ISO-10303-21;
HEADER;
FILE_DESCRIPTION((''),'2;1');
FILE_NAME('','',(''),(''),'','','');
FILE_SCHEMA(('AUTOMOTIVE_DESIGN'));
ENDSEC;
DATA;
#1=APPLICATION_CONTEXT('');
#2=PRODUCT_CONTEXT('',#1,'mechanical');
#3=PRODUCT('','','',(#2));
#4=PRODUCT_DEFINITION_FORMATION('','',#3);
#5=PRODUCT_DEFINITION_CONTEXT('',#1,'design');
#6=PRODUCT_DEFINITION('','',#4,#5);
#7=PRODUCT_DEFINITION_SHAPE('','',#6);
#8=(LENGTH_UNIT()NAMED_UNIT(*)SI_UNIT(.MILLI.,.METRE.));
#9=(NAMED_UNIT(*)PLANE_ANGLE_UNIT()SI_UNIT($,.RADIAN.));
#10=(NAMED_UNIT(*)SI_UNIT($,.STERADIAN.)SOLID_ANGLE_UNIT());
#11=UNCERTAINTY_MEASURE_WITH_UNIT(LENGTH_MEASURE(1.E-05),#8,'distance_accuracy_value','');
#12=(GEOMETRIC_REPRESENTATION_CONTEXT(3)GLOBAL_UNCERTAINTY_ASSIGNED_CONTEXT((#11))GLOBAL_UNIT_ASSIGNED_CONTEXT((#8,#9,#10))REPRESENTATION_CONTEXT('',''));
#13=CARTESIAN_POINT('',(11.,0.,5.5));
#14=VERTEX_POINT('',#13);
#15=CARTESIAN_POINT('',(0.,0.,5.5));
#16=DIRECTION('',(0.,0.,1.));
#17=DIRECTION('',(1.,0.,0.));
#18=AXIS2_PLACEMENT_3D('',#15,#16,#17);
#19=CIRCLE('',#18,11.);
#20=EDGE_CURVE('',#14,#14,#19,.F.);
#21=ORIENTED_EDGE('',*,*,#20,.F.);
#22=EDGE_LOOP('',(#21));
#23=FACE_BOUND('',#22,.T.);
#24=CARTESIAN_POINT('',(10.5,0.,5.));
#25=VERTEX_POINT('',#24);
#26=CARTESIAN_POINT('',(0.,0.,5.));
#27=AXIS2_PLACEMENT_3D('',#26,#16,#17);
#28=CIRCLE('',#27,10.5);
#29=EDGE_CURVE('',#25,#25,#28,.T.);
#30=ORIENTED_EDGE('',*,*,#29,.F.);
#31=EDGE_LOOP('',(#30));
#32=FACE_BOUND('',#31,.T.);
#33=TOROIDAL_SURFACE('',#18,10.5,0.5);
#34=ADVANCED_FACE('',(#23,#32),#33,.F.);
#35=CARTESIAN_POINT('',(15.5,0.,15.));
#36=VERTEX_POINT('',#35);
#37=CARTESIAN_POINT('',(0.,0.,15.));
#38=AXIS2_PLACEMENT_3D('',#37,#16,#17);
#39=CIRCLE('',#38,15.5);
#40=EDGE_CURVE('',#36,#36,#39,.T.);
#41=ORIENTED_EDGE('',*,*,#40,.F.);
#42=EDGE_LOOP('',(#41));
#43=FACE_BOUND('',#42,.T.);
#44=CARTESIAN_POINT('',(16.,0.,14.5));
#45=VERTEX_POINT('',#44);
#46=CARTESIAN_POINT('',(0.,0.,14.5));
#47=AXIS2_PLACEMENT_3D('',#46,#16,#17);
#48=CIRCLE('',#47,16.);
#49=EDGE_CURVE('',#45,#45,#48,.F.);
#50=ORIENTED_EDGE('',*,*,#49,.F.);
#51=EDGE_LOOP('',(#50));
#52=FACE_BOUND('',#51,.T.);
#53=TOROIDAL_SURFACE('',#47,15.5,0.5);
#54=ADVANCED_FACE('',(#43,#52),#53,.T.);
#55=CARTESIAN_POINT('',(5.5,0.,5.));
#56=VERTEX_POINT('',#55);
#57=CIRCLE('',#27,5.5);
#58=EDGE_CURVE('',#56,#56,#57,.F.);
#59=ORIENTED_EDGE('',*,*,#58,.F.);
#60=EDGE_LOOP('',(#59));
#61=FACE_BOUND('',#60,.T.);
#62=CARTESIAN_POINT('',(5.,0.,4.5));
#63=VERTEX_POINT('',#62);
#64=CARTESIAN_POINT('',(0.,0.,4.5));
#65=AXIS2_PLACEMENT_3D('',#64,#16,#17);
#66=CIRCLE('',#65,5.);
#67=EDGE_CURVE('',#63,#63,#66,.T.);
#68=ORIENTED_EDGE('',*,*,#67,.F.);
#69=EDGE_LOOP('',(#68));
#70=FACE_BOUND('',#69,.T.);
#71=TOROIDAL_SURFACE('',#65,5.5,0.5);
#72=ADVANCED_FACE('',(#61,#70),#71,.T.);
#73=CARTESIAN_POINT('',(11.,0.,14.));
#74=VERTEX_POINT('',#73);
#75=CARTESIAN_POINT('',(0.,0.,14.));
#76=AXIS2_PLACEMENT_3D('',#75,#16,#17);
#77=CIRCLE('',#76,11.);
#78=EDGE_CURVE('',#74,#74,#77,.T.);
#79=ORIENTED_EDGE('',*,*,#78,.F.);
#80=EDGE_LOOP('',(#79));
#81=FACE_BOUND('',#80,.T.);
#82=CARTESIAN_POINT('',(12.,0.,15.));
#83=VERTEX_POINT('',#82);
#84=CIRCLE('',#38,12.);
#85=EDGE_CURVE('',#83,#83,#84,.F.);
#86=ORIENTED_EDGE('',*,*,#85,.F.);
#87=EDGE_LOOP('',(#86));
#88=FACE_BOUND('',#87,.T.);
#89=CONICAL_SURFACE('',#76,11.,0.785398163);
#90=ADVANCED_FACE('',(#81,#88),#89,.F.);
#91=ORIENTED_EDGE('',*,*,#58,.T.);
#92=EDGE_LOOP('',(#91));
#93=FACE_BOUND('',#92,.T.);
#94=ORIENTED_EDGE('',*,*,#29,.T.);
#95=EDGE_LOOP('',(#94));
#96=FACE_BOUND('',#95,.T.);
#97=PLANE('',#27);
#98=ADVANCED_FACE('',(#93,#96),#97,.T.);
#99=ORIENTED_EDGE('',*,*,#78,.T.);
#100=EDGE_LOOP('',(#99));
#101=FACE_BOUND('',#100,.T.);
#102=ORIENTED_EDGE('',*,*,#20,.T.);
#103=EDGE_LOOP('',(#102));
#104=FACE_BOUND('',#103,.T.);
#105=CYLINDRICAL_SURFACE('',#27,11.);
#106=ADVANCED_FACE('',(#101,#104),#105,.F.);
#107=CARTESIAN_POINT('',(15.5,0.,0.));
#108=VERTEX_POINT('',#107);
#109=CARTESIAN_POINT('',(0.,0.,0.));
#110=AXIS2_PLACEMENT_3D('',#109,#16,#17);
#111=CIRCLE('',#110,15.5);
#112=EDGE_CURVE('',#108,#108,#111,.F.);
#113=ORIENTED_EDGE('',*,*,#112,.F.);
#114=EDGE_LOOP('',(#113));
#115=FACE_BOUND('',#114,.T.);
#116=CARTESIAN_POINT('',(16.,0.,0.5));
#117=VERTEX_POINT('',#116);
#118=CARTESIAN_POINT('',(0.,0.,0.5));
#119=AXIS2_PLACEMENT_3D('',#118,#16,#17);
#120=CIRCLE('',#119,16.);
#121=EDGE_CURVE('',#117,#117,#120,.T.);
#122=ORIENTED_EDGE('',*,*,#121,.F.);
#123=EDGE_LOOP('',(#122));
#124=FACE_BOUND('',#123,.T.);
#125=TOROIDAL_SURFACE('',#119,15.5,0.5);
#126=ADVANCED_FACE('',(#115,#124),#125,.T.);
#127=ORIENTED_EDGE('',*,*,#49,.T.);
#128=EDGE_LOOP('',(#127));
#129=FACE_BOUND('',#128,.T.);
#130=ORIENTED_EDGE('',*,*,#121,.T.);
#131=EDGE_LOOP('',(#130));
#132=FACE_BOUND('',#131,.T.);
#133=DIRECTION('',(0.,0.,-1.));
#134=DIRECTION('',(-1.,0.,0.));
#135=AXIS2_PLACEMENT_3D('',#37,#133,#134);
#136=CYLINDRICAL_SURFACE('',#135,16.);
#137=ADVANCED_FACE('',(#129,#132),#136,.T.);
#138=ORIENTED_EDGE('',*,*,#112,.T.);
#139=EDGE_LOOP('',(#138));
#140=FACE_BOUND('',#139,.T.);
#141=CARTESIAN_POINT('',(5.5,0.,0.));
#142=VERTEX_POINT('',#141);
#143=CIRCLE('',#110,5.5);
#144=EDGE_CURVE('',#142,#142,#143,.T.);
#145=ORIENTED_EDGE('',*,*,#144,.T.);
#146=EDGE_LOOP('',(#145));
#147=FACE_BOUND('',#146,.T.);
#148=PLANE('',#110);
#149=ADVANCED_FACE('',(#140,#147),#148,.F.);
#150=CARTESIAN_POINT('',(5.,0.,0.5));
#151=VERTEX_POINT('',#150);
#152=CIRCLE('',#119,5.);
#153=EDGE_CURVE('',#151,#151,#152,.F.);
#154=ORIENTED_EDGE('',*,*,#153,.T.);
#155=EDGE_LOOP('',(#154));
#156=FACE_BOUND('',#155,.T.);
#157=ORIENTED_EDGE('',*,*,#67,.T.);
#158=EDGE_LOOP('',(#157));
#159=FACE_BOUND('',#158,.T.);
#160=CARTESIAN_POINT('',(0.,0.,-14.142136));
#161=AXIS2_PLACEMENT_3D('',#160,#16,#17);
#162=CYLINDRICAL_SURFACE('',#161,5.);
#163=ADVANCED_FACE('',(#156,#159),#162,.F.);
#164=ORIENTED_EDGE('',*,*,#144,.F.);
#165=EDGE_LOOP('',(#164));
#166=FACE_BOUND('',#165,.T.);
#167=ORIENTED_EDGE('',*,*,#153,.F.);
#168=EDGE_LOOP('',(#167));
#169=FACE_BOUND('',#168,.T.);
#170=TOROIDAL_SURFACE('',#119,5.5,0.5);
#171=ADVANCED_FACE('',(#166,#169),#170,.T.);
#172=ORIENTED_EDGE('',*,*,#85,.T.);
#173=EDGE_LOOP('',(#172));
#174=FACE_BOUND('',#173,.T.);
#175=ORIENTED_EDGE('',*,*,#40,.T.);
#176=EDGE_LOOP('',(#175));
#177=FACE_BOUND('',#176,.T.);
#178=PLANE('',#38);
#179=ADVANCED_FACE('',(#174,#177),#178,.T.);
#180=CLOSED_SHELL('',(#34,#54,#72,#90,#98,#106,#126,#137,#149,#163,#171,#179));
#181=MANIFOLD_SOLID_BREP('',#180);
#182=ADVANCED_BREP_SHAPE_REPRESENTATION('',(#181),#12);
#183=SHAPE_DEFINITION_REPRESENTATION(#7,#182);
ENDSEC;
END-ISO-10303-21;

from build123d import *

# Parameters (mm, degrees)
CROQUIS1_R              = 16
SALIENTE_EXTRUIR1_DEPTH = 15
CROQUIS2_R              = 11
CORTAR_EXTRUIR1_DEPTH   = 10
CROQUIS3_R              = 5
CORTAR_EXTRUIR2_DEPTH   = 5
CHAFL_N1_SIZE           = 1
REDONDEO1_R             = 0.5


with BuildPart() as part:
    # Croquis1 → Saliente-Extruir1 (new body)
    with BuildSketch(Plane.XY):
        Circle(CROQUIS1_R)
    extrude(amount=SALIENTE_EXTRUIR1_DEPTH)

    # Croquis2 → Cortar-Extruir1 (cut)
    with BuildSketch(Plane.XY.offset(15)):
        Circle(CROQUIS2_R)
    extrude(amount=-CORTAR_EXTRUIR1_DEPTH, mode=Mode.SUBTRACT)

    # Croquis3 → Cortar-Extruir2 (cut)
    with BuildSketch(Plane.XY.offset(5)):
        Circle(CROQUIS3_R)
    extrude(amount=-CORTAR_EXTRUIR2_DEPTH, mode=Mode.SUBTRACT)

    # Chaflán1
    chafl_n1_edges = [part.edges().sort_by_distance(p)[0] for p in [
        (-11, 0, 15),
    ]]
    chamfer(chafl_n1_edges, length=CHAFL_N1_SIZE)

    # Redondeo1
    redondeo1_edges = [part.edges().sort_by_distance(p)[0] for p in [
        (-5, 0, 5),
        (-5, 0, 0),
        (-16, 0, 0),
        (-16, 0, 15),
        (-11, 0, 5),
    ]]
    fillet(redondeo1_edges, radius=REDONDEO1_R)


solid = part.part
